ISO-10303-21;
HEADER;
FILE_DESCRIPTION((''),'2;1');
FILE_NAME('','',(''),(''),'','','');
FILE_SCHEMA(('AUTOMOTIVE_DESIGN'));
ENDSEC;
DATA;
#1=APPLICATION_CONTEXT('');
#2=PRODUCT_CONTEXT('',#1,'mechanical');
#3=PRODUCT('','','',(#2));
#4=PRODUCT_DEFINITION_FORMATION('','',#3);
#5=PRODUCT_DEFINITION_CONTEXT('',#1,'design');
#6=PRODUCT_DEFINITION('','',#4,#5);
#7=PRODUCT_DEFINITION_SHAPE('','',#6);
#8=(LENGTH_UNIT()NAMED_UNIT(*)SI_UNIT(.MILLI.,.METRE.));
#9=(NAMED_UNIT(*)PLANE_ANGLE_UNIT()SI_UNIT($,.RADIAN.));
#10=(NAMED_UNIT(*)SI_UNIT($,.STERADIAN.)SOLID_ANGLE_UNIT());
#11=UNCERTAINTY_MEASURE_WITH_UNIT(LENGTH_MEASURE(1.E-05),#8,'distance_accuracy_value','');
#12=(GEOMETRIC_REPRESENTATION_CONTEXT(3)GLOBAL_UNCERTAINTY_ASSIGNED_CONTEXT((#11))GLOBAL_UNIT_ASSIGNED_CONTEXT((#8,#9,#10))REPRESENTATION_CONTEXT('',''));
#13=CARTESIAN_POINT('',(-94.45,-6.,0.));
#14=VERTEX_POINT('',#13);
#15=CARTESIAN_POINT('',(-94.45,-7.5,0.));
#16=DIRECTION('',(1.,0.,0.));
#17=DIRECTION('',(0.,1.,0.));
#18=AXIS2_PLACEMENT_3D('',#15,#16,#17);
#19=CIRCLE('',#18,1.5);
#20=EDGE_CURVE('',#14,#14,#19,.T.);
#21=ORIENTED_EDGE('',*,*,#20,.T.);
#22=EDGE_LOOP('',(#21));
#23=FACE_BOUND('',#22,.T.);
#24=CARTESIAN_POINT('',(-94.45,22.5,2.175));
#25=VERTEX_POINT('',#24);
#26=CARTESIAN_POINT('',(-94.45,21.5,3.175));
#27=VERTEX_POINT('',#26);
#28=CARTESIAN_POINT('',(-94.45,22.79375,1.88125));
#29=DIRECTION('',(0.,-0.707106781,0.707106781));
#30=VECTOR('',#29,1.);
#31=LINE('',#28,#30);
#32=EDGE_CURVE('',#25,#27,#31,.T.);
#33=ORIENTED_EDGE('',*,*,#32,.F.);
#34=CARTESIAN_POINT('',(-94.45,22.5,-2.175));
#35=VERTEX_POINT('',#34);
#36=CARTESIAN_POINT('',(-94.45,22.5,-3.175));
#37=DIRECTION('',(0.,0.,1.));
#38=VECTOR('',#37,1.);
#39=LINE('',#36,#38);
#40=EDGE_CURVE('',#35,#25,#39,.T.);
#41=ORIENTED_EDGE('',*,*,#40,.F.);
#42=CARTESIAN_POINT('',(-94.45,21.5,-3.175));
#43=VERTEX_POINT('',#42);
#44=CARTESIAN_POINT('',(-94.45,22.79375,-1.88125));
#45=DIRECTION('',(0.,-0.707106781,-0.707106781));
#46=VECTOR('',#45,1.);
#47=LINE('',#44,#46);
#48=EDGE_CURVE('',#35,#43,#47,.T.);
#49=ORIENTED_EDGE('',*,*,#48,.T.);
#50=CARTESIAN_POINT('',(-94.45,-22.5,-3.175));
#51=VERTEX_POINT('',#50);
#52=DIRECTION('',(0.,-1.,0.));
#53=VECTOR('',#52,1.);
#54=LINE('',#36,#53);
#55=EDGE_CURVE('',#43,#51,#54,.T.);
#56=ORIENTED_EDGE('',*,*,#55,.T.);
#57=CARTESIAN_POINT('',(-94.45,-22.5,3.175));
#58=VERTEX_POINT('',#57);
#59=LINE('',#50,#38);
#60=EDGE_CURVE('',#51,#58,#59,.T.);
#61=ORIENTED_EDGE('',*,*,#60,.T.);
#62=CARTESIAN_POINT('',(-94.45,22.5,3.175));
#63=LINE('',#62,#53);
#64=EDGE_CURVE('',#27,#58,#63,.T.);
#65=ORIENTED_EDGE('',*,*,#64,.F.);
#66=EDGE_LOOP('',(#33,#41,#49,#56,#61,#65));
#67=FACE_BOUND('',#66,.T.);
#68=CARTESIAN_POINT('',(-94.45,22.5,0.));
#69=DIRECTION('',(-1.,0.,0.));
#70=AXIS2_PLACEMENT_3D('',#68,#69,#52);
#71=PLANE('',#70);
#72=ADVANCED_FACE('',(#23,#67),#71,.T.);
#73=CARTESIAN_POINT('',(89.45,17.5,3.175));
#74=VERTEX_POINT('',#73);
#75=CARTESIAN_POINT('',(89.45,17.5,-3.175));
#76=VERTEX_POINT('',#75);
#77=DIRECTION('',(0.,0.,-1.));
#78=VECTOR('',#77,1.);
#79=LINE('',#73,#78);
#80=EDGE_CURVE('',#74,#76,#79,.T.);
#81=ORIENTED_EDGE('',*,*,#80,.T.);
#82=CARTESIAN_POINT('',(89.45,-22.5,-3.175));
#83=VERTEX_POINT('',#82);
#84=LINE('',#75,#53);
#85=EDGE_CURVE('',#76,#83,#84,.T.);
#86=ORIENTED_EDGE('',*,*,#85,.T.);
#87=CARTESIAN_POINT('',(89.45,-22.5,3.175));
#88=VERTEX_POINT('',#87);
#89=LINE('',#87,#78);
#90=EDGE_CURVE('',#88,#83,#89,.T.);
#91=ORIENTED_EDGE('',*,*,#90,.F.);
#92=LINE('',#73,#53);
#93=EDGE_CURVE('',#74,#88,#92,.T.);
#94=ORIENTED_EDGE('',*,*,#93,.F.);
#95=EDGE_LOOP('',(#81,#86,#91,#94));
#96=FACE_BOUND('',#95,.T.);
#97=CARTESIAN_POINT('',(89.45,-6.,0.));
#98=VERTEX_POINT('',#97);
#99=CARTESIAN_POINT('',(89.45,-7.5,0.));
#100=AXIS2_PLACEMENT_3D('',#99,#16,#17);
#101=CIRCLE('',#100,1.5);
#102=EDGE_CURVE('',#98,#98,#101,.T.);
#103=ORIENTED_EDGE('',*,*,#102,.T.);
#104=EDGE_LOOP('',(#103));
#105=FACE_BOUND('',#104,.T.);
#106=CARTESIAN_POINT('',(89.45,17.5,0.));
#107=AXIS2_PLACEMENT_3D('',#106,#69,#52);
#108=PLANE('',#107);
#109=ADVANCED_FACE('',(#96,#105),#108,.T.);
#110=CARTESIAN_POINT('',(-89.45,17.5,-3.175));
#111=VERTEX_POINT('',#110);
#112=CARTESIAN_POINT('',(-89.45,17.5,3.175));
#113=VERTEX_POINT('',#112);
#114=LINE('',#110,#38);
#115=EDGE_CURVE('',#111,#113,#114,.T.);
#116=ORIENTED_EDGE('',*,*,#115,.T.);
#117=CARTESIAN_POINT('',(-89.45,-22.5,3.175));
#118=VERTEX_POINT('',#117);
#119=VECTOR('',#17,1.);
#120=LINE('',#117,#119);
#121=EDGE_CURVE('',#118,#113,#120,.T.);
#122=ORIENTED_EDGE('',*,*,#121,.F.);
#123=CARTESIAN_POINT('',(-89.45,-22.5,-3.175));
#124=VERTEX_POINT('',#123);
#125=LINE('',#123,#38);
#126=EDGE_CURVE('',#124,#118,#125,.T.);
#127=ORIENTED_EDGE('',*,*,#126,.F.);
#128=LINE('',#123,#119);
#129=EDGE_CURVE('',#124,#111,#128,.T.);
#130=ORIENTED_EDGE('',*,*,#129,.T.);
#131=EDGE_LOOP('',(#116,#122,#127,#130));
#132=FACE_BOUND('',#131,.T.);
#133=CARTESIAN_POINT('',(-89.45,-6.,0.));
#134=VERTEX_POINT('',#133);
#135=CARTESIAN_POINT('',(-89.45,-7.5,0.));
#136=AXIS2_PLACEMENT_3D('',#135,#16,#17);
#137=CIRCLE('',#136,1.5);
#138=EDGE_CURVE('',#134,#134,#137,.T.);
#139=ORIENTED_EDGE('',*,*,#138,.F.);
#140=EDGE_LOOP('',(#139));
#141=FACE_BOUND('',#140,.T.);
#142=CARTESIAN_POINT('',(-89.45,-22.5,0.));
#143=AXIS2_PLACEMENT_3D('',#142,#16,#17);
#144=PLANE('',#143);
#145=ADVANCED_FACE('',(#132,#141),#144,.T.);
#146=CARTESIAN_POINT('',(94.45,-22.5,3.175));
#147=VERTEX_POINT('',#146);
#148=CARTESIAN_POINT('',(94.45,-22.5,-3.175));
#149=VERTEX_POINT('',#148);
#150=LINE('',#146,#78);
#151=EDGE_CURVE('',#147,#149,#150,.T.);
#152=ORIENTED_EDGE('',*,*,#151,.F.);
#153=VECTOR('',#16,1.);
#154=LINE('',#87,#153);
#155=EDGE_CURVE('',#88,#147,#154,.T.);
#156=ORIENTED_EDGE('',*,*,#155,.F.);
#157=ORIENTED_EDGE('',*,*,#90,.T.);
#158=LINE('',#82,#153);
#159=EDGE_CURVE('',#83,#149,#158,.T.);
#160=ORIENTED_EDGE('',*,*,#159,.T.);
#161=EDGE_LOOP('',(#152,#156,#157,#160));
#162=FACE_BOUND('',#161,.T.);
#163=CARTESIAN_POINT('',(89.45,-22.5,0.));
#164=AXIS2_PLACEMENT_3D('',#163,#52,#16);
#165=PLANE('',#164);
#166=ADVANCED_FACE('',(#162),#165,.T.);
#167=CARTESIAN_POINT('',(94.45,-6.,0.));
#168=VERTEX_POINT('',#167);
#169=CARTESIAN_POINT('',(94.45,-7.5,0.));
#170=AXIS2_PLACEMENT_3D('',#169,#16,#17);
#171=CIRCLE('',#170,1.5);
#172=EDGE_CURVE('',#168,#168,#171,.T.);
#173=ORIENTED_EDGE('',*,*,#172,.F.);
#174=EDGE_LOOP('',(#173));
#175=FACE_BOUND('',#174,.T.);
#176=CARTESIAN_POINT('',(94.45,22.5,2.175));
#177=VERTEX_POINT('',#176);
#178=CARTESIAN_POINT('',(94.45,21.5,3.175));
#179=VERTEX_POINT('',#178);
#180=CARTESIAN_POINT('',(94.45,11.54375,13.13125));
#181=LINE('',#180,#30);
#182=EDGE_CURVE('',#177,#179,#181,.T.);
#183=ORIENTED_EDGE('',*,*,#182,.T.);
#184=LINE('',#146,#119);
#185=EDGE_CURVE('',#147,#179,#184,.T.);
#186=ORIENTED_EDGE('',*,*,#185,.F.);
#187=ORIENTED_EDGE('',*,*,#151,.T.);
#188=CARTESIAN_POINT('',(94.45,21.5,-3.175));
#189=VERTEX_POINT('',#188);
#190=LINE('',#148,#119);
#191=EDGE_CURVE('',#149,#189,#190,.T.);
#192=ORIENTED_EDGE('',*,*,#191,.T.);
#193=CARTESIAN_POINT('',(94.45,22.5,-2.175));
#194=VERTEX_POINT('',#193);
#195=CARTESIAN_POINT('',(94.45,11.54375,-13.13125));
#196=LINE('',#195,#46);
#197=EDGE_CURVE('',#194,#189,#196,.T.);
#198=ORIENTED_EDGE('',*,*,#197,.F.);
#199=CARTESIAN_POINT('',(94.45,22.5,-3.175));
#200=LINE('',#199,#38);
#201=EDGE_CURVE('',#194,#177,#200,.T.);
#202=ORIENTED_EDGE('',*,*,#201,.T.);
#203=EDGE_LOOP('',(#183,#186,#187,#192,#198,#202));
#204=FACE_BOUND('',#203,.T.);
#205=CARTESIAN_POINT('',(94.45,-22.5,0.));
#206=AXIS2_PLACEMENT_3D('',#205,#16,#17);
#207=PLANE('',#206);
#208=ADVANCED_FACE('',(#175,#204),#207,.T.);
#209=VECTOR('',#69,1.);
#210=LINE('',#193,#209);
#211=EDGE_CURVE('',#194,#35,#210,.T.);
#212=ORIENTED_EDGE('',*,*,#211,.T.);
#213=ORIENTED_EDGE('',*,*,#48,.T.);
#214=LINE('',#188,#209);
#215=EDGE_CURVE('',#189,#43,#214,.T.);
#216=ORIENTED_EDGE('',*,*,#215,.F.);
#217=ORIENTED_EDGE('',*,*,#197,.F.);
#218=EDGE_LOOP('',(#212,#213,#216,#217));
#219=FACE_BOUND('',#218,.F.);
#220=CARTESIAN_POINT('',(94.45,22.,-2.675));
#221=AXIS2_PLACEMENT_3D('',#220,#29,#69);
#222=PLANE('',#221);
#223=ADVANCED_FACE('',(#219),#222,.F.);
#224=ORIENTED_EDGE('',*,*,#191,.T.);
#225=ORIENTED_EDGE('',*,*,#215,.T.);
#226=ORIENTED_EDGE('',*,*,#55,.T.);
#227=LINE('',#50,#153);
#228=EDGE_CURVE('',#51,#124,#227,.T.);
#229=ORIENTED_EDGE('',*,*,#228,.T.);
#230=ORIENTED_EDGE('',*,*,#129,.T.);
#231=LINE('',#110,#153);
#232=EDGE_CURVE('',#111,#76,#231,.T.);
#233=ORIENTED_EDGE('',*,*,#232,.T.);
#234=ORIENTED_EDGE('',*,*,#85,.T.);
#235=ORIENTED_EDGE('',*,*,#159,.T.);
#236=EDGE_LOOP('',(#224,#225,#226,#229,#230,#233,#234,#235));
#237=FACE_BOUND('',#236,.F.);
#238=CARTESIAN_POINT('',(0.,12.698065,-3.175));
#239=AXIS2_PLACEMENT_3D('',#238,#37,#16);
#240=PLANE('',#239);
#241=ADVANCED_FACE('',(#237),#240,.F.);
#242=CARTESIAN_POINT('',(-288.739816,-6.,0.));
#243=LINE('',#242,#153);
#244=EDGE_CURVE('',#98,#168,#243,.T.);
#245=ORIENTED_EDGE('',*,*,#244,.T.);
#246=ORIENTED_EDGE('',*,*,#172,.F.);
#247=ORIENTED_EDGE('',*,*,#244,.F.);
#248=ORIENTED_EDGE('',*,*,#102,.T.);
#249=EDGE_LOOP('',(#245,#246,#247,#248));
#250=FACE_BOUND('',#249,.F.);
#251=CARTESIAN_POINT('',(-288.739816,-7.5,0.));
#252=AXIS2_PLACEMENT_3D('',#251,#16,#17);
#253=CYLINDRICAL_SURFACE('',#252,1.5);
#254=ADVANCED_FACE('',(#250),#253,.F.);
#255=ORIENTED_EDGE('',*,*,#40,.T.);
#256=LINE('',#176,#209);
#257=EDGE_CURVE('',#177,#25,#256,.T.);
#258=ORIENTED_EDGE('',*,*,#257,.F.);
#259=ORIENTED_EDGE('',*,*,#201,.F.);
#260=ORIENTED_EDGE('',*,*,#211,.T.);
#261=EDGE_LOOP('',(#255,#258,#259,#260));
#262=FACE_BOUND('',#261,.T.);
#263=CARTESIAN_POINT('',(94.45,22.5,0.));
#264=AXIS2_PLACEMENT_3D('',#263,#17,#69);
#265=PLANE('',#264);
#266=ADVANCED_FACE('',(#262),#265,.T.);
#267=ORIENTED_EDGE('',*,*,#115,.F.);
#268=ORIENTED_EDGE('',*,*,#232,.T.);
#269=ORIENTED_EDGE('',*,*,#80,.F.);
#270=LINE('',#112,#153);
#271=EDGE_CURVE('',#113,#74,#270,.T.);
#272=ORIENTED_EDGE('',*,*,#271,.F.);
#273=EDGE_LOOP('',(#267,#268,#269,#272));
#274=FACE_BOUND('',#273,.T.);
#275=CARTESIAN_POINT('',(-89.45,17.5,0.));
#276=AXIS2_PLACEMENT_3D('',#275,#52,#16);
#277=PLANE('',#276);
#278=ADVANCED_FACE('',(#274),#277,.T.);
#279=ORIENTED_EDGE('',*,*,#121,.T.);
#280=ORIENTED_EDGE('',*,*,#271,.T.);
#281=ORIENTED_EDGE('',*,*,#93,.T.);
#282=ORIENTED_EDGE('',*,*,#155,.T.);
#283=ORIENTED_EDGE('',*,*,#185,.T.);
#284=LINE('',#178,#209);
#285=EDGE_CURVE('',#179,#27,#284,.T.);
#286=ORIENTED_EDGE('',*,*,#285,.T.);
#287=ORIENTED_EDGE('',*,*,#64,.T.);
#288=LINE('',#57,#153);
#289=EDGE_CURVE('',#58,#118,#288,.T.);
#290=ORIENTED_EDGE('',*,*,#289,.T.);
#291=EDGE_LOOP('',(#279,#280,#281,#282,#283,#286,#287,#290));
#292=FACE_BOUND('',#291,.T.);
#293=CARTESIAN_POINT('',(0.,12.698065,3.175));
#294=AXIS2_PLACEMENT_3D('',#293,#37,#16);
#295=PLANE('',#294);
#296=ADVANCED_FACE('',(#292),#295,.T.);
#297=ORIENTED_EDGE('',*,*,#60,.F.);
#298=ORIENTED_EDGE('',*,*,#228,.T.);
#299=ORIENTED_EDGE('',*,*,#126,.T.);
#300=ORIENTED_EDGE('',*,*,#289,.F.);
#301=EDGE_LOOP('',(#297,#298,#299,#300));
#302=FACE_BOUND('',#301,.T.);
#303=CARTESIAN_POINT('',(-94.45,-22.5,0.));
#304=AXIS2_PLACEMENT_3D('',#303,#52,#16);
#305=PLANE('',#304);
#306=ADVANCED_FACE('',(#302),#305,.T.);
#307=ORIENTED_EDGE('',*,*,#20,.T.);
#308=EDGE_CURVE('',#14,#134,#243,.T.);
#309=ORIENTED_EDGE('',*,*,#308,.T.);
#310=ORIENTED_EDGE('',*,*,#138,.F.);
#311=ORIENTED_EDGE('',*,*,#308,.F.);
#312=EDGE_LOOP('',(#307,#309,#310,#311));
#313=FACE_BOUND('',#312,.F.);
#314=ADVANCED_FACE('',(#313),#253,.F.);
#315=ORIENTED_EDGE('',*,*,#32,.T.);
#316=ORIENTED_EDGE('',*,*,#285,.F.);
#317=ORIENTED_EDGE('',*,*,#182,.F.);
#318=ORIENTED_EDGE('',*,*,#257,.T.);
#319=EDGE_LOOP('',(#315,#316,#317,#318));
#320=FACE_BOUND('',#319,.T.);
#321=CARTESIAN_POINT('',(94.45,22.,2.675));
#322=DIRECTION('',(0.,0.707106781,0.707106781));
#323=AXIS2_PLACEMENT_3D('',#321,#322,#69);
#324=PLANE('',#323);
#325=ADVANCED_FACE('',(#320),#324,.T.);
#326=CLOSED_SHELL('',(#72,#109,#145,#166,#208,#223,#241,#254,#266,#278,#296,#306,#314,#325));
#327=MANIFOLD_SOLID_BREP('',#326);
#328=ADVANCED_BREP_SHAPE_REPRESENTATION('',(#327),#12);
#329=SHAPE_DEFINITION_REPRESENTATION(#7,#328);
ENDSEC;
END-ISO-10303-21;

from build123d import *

# Parameters (mm, degrees)
F1_DEPTH = 3.175
F3_D     = 3
F4_SIZE2 = 1
F4_SIZE  = 1
F5_SIZE2 = 1
F5_SIZE  = 1


with BuildPart() as f1:
    # F0 (on Top) → F1 (new body, symmetric)
    with BuildSketch(Plane.XY):
        Polygon((94.45, -22.5), (94.45, 22.5), (-94.45, 22.5), (-94.45, -22.5), (-89.45, -22.5), (-89.45, -15.1735553518), (-89.45, 15.1735553518), (-89.45, 17.5), (89.45, 17.5), (89.45, 15.1735553518), (89.45, -15.1735553518), (89.45, -22.5), align=None)
    extrude(amount=F1_DEPTH, both=True)

    # F3 (through all)
    with Locations(Plane(origin=(-94.45, 0, 0), x_dir=(0, -1, 0), z_dir=(-1, 0, 0))):
        with Locations((7.5, 0)):
            Hole(F3_D / 2)

    # F4
    f4_edges = [f1.edges().sort_by_distance(p)[0] for p in [
        (0, 22.5, 3.175),
    ]]
    chamfer(f4_edges, length=F4_SIZE, length2=F4_SIZE2)

    # F5
    f5_edges = [f1.edges().sort_by_distance(p)[0] for p in [
        (0, 22.5, -3.175),
    ]]
    chamfer(f5_edges, length=F5_SIZE, length2=F5_SIZE2)


solid = f1.part
